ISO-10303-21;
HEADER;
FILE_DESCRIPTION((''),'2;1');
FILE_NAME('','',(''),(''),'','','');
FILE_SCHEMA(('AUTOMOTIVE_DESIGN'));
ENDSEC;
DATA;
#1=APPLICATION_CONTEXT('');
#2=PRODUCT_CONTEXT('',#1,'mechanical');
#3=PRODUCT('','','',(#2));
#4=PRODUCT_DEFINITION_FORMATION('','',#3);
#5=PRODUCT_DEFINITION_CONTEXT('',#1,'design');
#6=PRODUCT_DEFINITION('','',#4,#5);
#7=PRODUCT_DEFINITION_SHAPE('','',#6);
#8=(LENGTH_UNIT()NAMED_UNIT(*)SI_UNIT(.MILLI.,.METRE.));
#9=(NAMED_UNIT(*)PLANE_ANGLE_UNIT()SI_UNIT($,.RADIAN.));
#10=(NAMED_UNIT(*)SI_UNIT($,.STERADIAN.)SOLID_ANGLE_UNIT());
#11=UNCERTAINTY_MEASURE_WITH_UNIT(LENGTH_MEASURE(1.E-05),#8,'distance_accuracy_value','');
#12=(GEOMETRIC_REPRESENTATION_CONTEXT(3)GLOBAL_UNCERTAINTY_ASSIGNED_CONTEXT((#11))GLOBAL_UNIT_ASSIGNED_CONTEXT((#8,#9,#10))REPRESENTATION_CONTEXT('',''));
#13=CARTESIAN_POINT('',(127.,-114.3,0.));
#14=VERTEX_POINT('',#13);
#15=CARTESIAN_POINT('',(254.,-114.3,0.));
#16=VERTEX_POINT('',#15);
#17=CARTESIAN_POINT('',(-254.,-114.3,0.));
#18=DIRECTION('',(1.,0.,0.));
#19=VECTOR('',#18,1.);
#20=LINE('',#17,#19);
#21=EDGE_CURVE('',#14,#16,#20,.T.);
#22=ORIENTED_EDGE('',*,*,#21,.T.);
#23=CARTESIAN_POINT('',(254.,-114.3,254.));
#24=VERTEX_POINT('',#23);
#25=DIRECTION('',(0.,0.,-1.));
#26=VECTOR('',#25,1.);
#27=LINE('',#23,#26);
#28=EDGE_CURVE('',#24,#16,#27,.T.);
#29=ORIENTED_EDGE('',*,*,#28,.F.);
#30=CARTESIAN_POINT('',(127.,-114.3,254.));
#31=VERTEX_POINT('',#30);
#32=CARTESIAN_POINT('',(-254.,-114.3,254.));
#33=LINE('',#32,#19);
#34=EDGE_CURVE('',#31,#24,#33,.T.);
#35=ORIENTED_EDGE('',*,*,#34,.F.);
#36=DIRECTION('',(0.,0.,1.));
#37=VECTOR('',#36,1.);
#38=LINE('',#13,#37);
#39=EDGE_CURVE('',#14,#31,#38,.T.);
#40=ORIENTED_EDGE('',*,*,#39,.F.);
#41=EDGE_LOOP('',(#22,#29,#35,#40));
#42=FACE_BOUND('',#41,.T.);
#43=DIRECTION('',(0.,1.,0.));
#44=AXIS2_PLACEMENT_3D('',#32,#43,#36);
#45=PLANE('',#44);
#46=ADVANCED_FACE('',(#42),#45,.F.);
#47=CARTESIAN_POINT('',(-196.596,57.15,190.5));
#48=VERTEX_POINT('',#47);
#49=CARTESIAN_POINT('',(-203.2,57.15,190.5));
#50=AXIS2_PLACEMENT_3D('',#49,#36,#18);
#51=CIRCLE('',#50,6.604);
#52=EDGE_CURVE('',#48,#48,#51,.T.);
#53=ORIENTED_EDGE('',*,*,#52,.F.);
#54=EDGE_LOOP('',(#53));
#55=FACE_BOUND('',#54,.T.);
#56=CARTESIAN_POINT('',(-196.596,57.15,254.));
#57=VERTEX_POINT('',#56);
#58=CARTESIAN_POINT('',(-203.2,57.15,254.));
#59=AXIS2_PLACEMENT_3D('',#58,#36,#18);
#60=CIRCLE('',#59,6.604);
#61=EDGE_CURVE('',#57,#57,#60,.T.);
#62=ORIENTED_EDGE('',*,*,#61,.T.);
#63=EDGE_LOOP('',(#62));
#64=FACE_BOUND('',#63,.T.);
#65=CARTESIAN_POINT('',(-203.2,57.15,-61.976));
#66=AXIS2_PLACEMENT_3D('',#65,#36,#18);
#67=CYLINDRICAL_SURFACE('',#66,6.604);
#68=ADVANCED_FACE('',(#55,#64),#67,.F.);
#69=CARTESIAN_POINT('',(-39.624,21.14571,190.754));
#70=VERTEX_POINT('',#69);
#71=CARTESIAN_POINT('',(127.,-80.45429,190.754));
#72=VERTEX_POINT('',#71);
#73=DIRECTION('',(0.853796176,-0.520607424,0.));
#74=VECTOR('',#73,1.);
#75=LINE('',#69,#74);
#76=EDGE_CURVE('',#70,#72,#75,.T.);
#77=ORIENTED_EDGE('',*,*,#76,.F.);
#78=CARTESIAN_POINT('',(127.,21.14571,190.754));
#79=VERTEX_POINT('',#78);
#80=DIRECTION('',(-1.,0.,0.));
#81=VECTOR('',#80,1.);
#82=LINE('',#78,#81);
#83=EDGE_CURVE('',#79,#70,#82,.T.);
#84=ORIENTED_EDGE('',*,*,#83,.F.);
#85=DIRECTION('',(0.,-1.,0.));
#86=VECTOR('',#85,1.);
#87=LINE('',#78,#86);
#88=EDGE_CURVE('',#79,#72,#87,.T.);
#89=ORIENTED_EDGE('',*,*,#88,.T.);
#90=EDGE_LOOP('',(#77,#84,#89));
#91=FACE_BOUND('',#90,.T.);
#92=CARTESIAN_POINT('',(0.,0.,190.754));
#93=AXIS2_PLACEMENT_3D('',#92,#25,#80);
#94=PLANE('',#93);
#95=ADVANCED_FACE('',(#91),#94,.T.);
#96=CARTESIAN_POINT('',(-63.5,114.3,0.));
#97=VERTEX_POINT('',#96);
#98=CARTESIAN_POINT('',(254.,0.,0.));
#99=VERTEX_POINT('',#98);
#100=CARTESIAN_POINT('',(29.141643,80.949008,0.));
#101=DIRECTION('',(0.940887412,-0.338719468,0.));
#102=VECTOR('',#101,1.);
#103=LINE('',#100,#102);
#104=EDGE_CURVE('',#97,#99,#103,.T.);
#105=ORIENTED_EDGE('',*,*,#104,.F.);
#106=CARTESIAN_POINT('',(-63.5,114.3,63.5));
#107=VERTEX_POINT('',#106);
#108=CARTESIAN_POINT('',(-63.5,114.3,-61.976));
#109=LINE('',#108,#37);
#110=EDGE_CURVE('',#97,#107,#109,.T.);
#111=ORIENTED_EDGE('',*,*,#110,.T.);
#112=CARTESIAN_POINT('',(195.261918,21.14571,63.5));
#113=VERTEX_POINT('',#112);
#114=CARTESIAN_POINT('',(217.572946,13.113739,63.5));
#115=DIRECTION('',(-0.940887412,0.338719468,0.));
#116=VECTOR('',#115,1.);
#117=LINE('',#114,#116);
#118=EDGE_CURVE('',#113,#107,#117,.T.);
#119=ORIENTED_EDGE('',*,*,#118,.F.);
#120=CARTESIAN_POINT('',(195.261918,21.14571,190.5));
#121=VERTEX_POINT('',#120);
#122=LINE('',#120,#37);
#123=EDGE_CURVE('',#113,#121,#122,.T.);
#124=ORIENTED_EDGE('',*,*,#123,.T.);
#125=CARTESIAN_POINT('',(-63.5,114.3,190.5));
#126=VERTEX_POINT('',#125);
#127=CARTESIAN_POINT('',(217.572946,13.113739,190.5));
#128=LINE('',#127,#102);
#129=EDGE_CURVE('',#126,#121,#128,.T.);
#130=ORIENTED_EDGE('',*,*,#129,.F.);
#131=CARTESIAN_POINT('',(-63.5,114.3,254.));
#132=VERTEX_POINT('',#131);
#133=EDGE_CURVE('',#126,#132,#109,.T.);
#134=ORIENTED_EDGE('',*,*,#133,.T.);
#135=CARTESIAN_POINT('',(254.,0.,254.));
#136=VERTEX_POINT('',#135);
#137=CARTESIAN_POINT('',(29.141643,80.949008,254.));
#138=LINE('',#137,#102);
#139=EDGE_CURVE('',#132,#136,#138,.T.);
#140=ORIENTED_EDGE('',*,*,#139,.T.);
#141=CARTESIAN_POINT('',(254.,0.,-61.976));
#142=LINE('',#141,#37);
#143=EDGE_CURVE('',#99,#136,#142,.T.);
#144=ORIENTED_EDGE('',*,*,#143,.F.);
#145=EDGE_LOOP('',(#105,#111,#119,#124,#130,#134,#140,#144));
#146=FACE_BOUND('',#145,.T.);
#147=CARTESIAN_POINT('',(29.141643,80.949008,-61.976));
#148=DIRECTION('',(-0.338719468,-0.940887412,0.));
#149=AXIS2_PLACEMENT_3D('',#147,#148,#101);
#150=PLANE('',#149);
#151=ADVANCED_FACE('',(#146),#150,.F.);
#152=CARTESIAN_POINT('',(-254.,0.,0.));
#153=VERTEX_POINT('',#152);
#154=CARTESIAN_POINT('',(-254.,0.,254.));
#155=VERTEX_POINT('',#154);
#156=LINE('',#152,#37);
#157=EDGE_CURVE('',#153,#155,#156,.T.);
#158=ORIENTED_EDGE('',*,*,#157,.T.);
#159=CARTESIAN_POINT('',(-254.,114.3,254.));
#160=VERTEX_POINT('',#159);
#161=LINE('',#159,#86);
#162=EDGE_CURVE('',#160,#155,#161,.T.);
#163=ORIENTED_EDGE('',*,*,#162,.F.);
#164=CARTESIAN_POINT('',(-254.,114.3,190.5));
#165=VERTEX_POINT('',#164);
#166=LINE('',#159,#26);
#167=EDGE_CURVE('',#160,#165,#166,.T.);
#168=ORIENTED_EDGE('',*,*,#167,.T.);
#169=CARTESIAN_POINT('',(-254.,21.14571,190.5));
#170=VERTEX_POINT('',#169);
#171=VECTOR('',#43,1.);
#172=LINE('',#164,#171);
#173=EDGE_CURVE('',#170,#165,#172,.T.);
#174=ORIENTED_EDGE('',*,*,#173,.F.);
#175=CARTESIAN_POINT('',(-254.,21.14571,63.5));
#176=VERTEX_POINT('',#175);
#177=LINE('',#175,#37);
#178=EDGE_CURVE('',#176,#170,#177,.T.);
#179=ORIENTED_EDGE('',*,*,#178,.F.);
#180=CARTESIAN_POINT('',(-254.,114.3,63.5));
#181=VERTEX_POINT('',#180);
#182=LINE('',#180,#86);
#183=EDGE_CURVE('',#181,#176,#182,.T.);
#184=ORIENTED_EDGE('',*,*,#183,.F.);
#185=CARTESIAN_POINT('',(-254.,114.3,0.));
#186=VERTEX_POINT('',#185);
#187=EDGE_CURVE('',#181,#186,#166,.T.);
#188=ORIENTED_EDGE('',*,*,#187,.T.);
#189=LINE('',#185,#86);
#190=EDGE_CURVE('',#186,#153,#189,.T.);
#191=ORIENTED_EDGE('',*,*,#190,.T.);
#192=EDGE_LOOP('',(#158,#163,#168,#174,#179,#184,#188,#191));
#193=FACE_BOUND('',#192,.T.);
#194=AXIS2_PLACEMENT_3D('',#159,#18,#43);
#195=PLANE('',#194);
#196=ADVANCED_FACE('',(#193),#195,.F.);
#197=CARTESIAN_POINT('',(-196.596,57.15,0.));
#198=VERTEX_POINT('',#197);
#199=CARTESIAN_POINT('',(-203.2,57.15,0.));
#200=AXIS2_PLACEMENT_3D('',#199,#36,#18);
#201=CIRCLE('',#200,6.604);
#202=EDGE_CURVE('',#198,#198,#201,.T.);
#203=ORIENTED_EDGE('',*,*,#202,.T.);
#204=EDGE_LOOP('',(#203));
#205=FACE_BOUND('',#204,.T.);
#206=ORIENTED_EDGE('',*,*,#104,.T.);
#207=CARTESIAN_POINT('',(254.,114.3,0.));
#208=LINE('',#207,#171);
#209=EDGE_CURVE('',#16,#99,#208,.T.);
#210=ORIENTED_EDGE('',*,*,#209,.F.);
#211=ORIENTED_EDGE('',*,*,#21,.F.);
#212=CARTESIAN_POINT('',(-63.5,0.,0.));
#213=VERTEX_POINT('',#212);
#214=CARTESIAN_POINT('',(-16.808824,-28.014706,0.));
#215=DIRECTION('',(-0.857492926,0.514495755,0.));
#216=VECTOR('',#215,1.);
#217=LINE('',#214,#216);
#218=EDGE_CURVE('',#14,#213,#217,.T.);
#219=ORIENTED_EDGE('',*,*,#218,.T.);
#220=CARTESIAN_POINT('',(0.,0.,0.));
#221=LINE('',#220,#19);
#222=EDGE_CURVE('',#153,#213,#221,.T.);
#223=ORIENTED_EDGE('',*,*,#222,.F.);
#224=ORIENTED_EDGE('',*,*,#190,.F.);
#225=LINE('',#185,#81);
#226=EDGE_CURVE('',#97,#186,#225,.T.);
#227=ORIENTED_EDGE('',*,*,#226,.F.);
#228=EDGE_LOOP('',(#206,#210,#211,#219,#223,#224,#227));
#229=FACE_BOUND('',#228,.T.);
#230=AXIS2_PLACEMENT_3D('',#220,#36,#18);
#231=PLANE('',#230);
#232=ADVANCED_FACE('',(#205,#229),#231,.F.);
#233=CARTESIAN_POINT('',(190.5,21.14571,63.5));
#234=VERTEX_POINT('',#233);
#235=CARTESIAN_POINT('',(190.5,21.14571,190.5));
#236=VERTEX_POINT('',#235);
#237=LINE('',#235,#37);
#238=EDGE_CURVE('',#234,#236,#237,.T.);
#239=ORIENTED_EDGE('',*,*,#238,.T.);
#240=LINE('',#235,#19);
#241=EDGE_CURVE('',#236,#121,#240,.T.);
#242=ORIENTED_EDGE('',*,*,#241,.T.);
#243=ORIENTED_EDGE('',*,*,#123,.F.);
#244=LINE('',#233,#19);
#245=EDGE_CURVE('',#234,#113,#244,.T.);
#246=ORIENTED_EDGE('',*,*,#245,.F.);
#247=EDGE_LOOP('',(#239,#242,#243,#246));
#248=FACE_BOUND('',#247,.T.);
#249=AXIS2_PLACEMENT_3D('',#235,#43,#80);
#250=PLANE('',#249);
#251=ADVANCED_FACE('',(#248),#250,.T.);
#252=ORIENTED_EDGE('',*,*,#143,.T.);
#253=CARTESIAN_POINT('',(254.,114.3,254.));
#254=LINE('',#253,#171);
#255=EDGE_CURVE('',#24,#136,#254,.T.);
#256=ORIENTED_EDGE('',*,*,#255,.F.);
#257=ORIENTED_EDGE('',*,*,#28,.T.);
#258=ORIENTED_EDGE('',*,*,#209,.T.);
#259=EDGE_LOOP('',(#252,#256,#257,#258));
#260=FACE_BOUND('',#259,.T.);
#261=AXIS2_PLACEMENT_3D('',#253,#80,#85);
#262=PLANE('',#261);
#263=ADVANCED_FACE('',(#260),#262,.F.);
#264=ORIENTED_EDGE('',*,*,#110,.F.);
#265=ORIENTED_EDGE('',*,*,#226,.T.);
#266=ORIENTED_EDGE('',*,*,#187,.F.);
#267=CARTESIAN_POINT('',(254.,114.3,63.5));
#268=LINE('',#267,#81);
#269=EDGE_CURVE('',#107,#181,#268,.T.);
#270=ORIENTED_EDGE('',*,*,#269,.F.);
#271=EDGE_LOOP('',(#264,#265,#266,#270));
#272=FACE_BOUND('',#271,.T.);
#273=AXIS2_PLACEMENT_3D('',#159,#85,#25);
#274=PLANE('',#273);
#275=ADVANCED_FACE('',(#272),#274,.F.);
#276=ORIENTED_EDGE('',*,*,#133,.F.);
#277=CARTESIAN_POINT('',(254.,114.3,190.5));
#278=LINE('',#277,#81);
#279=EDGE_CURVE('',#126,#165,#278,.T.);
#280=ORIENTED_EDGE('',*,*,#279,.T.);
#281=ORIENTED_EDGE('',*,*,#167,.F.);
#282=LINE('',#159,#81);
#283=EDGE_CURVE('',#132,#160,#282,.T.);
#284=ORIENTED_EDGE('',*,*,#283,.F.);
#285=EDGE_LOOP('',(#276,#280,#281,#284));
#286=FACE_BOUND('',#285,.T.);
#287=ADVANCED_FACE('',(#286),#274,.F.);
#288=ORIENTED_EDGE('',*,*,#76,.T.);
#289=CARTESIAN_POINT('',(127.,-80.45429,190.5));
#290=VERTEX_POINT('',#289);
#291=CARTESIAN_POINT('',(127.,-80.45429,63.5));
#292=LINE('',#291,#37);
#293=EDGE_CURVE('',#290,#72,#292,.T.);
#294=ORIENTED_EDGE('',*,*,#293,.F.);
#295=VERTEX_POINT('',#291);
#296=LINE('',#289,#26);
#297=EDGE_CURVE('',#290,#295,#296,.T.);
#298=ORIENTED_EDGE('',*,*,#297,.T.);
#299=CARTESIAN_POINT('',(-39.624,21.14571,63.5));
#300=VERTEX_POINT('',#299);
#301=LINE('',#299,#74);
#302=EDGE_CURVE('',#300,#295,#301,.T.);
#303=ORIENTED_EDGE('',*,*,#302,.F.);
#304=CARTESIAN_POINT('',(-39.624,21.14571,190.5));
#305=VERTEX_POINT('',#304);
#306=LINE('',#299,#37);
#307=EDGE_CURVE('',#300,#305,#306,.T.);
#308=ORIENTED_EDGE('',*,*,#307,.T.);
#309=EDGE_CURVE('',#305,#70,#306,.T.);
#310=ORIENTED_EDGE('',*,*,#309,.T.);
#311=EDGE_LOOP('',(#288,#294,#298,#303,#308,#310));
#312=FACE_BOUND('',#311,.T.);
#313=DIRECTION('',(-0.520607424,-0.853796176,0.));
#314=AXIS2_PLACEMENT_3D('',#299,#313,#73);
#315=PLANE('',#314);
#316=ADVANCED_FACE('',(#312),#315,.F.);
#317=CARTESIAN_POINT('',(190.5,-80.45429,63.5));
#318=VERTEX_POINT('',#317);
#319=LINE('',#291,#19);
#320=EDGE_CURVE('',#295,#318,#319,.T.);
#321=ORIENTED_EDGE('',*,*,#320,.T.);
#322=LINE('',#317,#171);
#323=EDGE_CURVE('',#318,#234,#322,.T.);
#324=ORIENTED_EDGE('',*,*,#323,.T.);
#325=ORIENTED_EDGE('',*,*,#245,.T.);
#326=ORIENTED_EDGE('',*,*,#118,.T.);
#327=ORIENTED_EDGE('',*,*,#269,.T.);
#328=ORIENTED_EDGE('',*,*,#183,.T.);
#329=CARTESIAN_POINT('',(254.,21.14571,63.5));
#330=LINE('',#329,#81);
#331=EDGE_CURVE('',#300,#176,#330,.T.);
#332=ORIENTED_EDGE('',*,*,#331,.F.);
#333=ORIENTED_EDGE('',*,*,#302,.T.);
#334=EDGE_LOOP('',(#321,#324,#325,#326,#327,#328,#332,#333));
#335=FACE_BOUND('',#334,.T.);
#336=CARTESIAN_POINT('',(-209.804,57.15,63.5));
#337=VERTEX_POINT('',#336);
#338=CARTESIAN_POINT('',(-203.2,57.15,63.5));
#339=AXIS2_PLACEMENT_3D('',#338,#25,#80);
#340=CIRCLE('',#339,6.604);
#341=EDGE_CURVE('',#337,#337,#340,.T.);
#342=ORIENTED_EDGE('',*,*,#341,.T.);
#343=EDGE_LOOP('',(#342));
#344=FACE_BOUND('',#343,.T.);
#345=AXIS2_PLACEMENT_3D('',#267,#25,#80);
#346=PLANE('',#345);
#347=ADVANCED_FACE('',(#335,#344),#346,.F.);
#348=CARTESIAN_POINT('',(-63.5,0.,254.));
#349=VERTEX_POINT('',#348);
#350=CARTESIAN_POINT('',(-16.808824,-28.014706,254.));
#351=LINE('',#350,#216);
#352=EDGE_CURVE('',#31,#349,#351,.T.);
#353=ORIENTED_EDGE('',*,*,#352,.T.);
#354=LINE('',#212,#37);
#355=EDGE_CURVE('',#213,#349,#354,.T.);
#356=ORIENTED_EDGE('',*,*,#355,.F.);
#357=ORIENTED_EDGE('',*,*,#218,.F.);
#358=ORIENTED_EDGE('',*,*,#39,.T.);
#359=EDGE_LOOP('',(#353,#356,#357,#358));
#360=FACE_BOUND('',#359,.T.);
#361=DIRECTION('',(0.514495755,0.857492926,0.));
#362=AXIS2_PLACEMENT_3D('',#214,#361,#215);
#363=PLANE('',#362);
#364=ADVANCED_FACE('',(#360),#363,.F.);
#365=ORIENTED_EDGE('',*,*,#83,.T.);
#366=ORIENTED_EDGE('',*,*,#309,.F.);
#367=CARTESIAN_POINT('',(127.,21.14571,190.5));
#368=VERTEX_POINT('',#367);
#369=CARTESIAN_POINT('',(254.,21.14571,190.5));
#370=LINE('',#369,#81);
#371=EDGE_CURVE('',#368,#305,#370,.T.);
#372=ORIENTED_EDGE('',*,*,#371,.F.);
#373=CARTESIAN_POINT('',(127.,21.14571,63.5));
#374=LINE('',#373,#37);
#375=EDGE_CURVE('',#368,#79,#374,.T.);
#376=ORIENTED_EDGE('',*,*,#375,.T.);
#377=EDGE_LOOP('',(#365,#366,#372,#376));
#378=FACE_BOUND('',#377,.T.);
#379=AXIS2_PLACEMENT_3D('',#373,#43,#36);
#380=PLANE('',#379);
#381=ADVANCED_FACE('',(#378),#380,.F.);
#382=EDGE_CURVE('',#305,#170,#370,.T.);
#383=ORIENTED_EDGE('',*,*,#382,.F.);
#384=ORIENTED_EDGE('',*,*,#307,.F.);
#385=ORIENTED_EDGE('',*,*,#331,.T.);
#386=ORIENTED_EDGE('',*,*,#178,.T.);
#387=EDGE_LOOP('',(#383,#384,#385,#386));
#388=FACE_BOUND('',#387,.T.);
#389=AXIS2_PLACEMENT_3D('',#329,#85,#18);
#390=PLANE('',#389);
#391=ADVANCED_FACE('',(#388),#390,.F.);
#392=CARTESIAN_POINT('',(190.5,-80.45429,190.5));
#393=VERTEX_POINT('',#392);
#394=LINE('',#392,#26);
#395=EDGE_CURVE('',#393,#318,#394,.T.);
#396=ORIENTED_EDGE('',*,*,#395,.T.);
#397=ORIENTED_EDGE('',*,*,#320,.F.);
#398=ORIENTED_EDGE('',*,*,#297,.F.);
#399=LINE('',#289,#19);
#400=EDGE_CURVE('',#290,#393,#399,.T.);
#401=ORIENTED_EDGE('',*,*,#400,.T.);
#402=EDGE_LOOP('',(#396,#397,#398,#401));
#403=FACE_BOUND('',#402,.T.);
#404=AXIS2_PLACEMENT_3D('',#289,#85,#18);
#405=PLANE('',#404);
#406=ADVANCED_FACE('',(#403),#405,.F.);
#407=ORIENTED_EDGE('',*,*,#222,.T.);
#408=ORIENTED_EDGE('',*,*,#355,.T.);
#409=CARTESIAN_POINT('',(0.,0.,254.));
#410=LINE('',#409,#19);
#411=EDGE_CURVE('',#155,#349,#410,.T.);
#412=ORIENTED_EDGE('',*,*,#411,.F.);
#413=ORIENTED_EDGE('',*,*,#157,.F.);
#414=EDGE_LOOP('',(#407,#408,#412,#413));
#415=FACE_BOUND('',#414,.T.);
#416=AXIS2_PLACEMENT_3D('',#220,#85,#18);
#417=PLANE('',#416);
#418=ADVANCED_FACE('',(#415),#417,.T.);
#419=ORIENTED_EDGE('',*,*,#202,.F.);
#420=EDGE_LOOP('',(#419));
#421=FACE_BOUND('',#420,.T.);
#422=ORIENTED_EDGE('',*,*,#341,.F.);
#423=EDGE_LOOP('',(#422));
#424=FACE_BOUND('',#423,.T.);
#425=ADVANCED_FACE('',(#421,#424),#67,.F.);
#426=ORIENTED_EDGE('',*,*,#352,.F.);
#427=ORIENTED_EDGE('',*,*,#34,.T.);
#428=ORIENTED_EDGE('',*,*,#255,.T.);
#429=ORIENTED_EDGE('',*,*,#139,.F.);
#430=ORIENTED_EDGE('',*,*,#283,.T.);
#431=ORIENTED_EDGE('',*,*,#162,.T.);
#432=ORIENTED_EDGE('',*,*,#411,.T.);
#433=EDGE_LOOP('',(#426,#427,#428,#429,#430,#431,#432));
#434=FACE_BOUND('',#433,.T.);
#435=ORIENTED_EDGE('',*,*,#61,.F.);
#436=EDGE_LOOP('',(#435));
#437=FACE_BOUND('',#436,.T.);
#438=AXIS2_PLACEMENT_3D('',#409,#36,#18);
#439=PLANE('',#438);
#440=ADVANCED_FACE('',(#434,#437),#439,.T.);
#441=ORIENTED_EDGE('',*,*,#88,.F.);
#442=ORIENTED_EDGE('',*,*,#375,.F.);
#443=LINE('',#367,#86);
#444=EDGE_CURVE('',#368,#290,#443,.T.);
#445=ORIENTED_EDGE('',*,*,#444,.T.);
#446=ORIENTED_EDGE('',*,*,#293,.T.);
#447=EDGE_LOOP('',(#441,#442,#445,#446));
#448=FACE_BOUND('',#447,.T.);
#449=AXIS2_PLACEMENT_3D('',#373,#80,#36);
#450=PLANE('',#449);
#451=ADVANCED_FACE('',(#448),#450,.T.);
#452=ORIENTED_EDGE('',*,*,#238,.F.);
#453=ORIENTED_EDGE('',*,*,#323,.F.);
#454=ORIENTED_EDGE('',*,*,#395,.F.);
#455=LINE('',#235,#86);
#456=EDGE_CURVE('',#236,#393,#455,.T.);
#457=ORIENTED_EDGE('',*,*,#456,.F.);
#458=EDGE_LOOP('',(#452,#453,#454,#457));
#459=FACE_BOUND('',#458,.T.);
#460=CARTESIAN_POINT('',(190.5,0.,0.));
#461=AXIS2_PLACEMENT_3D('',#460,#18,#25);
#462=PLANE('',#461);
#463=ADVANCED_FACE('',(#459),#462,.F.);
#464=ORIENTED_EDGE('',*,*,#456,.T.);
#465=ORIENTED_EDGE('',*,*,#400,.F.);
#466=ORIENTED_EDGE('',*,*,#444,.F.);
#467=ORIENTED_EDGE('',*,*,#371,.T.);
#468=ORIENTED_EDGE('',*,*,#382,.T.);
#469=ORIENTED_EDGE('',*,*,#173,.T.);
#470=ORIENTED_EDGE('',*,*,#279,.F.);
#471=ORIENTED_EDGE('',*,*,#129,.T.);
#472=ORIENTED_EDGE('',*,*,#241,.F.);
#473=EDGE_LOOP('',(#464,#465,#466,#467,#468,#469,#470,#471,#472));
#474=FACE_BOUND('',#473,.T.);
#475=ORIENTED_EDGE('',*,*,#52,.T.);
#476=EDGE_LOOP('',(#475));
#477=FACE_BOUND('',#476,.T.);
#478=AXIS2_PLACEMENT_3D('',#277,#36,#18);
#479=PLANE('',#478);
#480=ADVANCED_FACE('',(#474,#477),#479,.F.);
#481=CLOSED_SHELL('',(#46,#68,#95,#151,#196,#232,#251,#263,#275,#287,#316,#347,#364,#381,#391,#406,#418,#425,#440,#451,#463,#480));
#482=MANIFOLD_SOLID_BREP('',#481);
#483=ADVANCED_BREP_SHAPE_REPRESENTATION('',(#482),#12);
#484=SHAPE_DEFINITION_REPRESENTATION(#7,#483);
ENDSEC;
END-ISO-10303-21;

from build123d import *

# Parameters (mm, degrees)
SKETCH1_W               = 508
SKETCH1_H               = 228.6
BOSS_EXTRUDE1_DEPTH     = 254
SKETCH2_W               = 127
SKETCH2_H               = 93.154290468
CUT_EXTRUDE1_DEPTH      = 509
CUT_EXTRUDE2_DEPTH      = 254
SKETCH7_W               = 127
SKETCH7_H               = 101.6
CUT_EXTRUDE3_DEPTH      = 127
CUT_EXTRUDE5_DEPTH      = 127
CUT_EXTRUDE5_DEPTH_BACK = 0.254
SKETCH24_W              = 127
SKETCH24_H              = 101.6
BOSS_EXTRUDE3_DEPTH     = 63.5
CUT_EXTRUDE7_DEPTH      = 315.976
SKETCH27_R              = 6.604
CUT_EXTRUDE8_DEPTH      = 315.976


with BuildPart() as part:
    # Sketch1 → Boss-Extrude1 (new body)
    with BuildSketch(Plane.XY):
        Rectangle(SKETCH1_W, SKETCH1_H)
    extrude(amount=BOSS_EXTRUDE1_DEPTH)

    # Sketch2 → Cut-Extrude1 (cut, through all)
    with BuildSketch(Plane.ZY.offset(254)):
        with Locations((127, 67.722854766)):
            Rectangle(SKETCH2_W, SKETCH2_H)
    extrude(amount=-CUT_EXTRUDE1_DEPTH, mode=Mode.SUBTRACT)

    # Sketch5 → Cut-Extrude2 (cut)
    with BuildSketch(Plane.XY.offset(254)):
        Polygon((-254, 0), (-254, -114.3), (127, -114.3), (-63.5, 0), align=None)
    extrude(amount=-CUT_EXTRUDE2_DEPTH, mode=Mode.SUBTRACT)

    # Sketch7 → Cut-Extrude3 (cut)
    with BuildSketch(Plane(origin=(254, 0, 0), x_dir=(0, 0, -1), z_dir=(1, 0, 0))):
        with Locations((-127, -29.654290468)):
            Rectangle(SKETCH7_W, SKETCH7_H)
    extrude(amount=-CUT_EXTRUDE3_DEPTH, mode=Mode.SUBTRACT)

    # Sketch20 → Cut-Extrude5 (cut, two sides)
    with BuildSketch(Plane(origin=(0, 0, 190.5), x_dir=(-1, 0, 0), z_dir=(0, 0, -1))) as cut_extrude5_sk:
        Polygon((-127, 21.145709532), (39.624, 21.145709532), (-127, -80.454290468), align=None)
    extrude(amount=CUT_EXTRUDE5_DEPTH, mode=Mode.SUBTRACT)
    extrude(cut_extrude5_sk.sketch, amount=-CUT_EXTRUDE5_DEPTH_BACK, mode=Mode.SUBTRACT)

    # Sketch24 → Boss-Extrude3 (add)
    with BuildSketch(Plane(origin=(254, 0, 0), x_dir=(0, 0, -1), z_dir=(1, 0, 0))):
        with Locations((-127, -29.654290468)):
            Rectangle(SKETCH24_W, SKETCH24_H)
    extrude(amount=-BOSS_EXTRUDE3_DEPTH)

    # Sketch26 → Cut-Extrude7 (cut)
    with BuildSketch(Plane.XY.offset(254)):
        Polygon((254, 114.3), (-63.5, 114.3), (254, 0), align=None)
    extrude(amount=-CUT_EXTRUDE7_DEPTH, mode=Mode.SUBTRACT)

    # Sketch27 → Cut-Extrude8 (cut)
    with BuildSketch(Plane.XY.offset(254)):
        with Locations((-203.2, 57.15)):
            Circle(SKETCH27_R)
    extrude(amount=-CUT_EXTRUDE8_DEPTH, mode=Mode.SUBTRACT)


solid = part.part
